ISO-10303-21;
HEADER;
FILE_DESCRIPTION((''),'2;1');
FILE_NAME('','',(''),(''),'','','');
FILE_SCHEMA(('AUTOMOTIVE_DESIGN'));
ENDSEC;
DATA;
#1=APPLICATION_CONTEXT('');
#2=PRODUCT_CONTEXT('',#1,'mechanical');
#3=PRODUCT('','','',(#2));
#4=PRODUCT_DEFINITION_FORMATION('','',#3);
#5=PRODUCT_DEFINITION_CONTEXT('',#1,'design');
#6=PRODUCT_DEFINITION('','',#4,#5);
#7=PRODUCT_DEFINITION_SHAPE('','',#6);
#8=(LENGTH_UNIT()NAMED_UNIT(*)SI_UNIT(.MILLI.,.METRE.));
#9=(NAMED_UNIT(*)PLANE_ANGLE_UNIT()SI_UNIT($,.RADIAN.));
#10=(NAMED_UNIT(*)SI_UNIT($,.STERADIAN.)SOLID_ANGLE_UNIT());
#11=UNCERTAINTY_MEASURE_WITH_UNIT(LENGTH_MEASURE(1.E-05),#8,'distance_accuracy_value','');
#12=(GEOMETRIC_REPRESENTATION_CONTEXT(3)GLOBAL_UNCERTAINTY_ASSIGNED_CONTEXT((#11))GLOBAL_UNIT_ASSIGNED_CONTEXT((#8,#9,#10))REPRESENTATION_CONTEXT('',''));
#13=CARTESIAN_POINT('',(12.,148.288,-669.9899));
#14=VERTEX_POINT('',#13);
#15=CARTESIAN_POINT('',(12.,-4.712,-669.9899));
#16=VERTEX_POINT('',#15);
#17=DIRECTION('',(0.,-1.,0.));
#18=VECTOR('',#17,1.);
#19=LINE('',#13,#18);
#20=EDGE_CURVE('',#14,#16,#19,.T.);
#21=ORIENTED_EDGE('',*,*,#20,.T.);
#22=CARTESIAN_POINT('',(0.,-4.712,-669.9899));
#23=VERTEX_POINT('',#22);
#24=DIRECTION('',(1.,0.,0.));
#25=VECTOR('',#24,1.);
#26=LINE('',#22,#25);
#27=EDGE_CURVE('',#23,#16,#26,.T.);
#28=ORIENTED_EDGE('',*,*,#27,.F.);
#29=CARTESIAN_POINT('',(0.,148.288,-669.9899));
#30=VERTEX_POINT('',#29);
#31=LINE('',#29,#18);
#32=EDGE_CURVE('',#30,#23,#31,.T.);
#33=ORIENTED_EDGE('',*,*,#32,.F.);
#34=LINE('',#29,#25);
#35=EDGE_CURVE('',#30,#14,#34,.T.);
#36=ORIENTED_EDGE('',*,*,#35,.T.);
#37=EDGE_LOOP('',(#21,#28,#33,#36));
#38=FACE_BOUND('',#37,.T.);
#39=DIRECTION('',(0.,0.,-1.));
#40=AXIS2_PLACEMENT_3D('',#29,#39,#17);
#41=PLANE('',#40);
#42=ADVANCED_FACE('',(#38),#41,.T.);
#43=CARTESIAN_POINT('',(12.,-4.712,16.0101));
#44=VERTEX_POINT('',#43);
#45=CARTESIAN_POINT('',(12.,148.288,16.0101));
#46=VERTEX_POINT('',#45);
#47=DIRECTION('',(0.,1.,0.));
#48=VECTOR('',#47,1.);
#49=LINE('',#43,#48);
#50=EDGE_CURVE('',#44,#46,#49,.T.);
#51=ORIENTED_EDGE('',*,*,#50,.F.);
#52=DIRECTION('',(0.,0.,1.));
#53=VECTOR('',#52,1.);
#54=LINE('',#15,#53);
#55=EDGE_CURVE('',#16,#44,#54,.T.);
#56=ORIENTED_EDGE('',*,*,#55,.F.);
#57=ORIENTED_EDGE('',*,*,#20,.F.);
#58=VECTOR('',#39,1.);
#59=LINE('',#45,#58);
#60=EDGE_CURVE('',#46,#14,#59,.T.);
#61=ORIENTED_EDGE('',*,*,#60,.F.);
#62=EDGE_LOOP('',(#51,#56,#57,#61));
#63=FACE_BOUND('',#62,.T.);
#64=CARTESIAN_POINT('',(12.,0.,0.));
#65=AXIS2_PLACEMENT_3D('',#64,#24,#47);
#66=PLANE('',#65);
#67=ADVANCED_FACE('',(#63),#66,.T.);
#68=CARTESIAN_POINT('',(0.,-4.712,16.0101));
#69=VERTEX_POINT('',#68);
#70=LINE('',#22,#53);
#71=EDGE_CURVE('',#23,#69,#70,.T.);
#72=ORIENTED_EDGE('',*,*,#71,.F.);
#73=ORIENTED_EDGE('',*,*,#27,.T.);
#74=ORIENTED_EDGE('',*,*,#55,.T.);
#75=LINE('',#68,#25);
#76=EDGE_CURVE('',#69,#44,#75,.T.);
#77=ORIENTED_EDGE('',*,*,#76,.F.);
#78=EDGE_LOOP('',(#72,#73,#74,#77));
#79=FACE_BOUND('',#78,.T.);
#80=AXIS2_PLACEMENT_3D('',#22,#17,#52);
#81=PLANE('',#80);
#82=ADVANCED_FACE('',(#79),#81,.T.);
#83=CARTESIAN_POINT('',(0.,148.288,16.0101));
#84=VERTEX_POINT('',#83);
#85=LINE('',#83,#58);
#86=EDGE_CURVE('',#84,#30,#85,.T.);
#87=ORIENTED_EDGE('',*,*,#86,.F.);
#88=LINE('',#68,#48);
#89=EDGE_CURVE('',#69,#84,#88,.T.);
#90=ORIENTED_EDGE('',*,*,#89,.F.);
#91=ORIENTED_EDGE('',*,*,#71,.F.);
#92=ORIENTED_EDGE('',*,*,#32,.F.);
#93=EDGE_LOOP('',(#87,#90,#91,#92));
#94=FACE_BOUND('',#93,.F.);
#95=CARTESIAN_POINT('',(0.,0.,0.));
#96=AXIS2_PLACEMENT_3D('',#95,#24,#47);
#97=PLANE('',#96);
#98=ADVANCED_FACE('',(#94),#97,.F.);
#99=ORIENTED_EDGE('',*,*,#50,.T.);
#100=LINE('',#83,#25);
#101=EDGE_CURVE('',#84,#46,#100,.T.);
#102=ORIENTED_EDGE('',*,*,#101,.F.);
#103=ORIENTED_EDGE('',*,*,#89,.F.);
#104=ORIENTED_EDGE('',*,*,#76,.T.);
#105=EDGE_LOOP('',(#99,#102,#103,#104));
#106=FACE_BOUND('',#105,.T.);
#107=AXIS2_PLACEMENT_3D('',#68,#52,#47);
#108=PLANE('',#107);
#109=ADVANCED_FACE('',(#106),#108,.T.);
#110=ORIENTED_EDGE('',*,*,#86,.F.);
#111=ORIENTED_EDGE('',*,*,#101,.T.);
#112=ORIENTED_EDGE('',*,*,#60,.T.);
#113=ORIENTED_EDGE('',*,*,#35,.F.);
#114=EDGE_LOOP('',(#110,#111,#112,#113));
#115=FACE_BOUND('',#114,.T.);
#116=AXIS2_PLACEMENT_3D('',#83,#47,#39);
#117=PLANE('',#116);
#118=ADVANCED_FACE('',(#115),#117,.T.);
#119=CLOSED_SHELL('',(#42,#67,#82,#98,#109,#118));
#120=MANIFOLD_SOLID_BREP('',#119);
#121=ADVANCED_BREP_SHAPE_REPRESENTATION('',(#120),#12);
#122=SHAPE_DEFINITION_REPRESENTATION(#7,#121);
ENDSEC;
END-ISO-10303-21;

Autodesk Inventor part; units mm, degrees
ref_plane "YZ Plane" through (0, 0, 0) normal (1, 0, 0) x (0, 1, 0)
ref_plane "XZ Plane" through (0, 0, 0) normal (0, 1, 0) x (-1, 0, 0)
ref_plane "XY Plane" through (0, 0, 0) normal (0, 0, 1) x (1, 0, 0)
sketch "Sketch1" plane through (0, 0, 0) normal (1, 0, 0) x (0, 1, 0)
  line L0 (-4.712, 16.0101) -> (148.288, 16.0101)
  line L1 (148.288, 16.0101) -> (148.288, -669.9899)
  line L2 (148.288, -669.9899) -> (-4.712, -669.9899)
  line L3 (-4.712, -669.9899) -> (-4.712, 16.0101)
  point P0 (0, 0)
  dimension "d0" = 153
  dimension "b" = 686
extrude "Extrusion1" add sketch "Sketch1" along normal blind 12
properties part number "CUT PART O"
